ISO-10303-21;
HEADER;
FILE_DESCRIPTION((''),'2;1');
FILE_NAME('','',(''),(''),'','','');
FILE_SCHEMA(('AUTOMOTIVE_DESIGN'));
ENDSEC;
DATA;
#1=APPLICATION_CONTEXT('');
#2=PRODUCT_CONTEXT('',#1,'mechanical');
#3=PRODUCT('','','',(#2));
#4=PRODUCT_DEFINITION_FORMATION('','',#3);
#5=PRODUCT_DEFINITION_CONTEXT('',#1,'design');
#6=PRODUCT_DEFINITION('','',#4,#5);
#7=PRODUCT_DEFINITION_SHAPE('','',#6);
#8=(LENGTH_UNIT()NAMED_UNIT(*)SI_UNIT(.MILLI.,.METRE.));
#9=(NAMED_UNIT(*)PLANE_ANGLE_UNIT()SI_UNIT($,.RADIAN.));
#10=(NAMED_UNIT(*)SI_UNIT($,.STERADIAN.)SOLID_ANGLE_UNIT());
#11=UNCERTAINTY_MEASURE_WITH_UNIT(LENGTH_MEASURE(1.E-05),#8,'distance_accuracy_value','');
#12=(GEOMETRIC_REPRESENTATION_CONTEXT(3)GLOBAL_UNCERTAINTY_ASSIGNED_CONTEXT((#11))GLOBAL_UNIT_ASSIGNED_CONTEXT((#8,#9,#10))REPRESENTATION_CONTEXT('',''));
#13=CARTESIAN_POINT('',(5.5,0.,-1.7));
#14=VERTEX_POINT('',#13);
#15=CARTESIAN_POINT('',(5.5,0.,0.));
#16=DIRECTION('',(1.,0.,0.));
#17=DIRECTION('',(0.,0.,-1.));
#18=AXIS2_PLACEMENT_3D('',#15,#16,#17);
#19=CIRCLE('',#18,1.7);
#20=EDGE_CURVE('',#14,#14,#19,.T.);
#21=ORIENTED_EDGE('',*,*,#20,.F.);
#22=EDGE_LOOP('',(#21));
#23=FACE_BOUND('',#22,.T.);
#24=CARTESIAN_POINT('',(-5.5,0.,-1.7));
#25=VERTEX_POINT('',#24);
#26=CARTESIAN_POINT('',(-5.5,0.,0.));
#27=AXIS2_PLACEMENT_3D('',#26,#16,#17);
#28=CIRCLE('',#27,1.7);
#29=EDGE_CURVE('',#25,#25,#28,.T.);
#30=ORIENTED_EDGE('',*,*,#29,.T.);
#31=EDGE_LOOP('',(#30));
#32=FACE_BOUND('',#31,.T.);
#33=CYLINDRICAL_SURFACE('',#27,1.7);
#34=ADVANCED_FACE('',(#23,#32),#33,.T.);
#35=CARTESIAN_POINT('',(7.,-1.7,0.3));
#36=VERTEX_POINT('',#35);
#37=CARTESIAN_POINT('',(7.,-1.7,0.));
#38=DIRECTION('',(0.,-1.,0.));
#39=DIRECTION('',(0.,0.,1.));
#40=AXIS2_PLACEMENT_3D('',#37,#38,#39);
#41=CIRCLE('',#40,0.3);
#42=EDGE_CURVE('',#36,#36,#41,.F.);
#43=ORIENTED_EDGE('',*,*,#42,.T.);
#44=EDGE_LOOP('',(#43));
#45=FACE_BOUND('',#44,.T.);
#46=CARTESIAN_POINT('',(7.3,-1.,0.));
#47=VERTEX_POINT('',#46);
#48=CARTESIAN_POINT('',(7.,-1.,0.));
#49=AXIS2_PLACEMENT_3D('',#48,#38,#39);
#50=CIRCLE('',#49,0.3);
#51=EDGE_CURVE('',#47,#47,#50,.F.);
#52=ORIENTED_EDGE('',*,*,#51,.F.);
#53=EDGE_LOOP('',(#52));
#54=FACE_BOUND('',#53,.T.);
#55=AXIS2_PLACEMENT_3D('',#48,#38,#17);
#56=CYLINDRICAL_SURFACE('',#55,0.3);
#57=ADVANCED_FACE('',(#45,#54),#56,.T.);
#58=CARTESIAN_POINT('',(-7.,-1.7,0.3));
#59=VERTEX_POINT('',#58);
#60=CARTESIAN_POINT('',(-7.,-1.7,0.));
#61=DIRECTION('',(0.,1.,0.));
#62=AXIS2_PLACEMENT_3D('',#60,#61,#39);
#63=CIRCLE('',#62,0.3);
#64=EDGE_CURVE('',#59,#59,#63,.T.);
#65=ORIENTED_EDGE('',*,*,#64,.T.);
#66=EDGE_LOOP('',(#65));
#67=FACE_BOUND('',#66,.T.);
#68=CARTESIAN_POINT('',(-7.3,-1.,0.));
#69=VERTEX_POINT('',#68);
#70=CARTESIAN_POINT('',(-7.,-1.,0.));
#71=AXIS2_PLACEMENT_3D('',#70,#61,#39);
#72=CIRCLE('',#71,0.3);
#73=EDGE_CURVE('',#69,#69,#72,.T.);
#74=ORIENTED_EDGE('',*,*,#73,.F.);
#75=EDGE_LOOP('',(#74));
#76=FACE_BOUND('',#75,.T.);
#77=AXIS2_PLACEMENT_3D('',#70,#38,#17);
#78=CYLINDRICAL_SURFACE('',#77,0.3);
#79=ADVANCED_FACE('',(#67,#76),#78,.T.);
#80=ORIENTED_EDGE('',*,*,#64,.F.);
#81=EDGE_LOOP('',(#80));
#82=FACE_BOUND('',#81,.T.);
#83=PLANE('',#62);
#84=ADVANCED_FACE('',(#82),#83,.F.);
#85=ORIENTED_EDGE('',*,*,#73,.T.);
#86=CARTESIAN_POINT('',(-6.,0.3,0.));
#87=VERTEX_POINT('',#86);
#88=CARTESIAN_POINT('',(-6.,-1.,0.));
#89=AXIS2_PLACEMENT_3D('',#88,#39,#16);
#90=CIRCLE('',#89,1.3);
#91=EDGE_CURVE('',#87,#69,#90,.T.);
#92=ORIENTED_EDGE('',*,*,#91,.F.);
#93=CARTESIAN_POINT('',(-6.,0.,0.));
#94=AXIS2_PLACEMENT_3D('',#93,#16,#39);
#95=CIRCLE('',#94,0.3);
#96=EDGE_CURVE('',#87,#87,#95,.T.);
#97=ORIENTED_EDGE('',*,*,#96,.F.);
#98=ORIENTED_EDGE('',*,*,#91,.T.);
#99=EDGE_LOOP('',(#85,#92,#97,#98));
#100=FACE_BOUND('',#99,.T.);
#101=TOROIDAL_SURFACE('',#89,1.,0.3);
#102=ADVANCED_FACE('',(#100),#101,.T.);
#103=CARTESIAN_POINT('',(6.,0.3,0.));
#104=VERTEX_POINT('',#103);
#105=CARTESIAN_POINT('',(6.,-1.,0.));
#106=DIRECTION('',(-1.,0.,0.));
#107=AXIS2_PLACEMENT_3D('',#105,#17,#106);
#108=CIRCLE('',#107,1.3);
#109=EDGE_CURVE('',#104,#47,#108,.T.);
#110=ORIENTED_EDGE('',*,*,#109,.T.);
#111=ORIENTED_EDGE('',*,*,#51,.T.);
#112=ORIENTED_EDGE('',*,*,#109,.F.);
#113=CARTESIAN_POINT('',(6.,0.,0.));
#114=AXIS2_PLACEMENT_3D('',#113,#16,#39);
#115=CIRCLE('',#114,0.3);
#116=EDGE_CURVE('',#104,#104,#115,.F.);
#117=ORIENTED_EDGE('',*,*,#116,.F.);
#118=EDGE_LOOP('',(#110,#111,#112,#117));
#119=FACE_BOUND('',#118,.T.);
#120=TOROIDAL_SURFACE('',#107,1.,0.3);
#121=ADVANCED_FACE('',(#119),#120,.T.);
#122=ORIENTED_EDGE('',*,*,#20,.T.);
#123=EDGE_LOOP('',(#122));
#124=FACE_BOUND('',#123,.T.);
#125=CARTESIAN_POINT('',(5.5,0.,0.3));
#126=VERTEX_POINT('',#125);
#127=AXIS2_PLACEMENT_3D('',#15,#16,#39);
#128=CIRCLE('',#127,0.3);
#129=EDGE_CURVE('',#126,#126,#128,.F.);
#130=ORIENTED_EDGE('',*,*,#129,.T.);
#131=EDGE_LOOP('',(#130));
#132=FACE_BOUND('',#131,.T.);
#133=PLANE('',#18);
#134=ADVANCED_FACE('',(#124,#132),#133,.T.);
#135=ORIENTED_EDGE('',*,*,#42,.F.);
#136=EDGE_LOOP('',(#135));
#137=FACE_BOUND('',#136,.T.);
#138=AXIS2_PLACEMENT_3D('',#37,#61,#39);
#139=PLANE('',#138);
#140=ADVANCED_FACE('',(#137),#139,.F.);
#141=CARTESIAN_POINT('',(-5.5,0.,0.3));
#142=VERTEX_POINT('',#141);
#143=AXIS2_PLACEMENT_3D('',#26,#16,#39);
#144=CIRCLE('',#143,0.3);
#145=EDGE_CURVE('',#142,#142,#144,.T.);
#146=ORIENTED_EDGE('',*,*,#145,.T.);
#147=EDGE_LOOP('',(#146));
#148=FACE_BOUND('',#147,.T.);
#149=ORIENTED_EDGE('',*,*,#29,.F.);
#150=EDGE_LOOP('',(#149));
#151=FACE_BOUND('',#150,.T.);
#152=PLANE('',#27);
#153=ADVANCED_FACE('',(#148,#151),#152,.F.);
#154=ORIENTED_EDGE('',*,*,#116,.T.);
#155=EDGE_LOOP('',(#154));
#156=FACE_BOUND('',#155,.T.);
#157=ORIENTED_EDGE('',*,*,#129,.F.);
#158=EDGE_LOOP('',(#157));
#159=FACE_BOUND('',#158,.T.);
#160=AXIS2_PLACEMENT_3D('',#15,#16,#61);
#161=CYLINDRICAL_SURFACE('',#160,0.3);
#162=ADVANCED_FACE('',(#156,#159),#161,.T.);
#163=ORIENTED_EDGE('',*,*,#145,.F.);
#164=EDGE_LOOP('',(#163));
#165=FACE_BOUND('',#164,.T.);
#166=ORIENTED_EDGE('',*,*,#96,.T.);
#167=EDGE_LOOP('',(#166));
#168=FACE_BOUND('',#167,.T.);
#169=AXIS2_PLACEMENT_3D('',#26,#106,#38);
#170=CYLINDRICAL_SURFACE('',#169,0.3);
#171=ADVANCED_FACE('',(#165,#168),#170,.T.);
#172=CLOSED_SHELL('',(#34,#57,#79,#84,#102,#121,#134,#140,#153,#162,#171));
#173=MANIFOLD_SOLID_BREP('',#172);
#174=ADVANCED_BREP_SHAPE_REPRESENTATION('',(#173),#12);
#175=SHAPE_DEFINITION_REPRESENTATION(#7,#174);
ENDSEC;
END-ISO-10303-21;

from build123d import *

# Parameters (mm, degrees)
BOSS_EXTRUDE1_DEPTH      = 5.5
BOSS_EXTRUDE1_DEPTH_BACK = 5.5
SKETCH1_R                = 1.7
SWEEP1_PROFILE_R         = 0.3


with BuildPart() as part:
    # Sketch1 → Boss-Extrude1 (new, two sides: drawn at the far end of the back side and taken through both)
    with BuildSketch(Plane(origin=(0, 0, 0), x_dir=(0, 0, -1), z_dir=(1, 0, 0)).offset(-BOSS_EXTRUDE1_DEPTH_BACK)):
        Circle(SKETCH1_R)
    extrude(amount=BOSS_EXTRUDE1_DEPTH + BOSS_EXTRUDE1_DEPTH_BACK)

    # Sweep1: sweep along a path in Sketch2
    with BuildLine(Plane.XY) as sweep1_path:
        Line((-5.5, 0), (-6, 0))
        ThreePointArc((-6, 0), (-6.707106781, -0.292893219), (-7, -1))
        Line((-7, -1), (-7, -1.7))
    # Sweep1 profile (on start of the path) → Sweep1 (sweep)
    with BuildSketch(Plane(origin=(-5.5, 0, 0), x_dir=(0, -1, 0), z_dir=(-1, 0, 0))):
        Circle(SWEEP1_PROFILE_R)
    sweep1 = sweep(path=sweep1_path.line)

    # Mirror1: Sweep1 across plane
    add(sweep1.mirror(Plane(origin=(0, 0, 0), x_dir=(0, 0, 1), z_dir=(1, 0, 0))))


solid = part.part
